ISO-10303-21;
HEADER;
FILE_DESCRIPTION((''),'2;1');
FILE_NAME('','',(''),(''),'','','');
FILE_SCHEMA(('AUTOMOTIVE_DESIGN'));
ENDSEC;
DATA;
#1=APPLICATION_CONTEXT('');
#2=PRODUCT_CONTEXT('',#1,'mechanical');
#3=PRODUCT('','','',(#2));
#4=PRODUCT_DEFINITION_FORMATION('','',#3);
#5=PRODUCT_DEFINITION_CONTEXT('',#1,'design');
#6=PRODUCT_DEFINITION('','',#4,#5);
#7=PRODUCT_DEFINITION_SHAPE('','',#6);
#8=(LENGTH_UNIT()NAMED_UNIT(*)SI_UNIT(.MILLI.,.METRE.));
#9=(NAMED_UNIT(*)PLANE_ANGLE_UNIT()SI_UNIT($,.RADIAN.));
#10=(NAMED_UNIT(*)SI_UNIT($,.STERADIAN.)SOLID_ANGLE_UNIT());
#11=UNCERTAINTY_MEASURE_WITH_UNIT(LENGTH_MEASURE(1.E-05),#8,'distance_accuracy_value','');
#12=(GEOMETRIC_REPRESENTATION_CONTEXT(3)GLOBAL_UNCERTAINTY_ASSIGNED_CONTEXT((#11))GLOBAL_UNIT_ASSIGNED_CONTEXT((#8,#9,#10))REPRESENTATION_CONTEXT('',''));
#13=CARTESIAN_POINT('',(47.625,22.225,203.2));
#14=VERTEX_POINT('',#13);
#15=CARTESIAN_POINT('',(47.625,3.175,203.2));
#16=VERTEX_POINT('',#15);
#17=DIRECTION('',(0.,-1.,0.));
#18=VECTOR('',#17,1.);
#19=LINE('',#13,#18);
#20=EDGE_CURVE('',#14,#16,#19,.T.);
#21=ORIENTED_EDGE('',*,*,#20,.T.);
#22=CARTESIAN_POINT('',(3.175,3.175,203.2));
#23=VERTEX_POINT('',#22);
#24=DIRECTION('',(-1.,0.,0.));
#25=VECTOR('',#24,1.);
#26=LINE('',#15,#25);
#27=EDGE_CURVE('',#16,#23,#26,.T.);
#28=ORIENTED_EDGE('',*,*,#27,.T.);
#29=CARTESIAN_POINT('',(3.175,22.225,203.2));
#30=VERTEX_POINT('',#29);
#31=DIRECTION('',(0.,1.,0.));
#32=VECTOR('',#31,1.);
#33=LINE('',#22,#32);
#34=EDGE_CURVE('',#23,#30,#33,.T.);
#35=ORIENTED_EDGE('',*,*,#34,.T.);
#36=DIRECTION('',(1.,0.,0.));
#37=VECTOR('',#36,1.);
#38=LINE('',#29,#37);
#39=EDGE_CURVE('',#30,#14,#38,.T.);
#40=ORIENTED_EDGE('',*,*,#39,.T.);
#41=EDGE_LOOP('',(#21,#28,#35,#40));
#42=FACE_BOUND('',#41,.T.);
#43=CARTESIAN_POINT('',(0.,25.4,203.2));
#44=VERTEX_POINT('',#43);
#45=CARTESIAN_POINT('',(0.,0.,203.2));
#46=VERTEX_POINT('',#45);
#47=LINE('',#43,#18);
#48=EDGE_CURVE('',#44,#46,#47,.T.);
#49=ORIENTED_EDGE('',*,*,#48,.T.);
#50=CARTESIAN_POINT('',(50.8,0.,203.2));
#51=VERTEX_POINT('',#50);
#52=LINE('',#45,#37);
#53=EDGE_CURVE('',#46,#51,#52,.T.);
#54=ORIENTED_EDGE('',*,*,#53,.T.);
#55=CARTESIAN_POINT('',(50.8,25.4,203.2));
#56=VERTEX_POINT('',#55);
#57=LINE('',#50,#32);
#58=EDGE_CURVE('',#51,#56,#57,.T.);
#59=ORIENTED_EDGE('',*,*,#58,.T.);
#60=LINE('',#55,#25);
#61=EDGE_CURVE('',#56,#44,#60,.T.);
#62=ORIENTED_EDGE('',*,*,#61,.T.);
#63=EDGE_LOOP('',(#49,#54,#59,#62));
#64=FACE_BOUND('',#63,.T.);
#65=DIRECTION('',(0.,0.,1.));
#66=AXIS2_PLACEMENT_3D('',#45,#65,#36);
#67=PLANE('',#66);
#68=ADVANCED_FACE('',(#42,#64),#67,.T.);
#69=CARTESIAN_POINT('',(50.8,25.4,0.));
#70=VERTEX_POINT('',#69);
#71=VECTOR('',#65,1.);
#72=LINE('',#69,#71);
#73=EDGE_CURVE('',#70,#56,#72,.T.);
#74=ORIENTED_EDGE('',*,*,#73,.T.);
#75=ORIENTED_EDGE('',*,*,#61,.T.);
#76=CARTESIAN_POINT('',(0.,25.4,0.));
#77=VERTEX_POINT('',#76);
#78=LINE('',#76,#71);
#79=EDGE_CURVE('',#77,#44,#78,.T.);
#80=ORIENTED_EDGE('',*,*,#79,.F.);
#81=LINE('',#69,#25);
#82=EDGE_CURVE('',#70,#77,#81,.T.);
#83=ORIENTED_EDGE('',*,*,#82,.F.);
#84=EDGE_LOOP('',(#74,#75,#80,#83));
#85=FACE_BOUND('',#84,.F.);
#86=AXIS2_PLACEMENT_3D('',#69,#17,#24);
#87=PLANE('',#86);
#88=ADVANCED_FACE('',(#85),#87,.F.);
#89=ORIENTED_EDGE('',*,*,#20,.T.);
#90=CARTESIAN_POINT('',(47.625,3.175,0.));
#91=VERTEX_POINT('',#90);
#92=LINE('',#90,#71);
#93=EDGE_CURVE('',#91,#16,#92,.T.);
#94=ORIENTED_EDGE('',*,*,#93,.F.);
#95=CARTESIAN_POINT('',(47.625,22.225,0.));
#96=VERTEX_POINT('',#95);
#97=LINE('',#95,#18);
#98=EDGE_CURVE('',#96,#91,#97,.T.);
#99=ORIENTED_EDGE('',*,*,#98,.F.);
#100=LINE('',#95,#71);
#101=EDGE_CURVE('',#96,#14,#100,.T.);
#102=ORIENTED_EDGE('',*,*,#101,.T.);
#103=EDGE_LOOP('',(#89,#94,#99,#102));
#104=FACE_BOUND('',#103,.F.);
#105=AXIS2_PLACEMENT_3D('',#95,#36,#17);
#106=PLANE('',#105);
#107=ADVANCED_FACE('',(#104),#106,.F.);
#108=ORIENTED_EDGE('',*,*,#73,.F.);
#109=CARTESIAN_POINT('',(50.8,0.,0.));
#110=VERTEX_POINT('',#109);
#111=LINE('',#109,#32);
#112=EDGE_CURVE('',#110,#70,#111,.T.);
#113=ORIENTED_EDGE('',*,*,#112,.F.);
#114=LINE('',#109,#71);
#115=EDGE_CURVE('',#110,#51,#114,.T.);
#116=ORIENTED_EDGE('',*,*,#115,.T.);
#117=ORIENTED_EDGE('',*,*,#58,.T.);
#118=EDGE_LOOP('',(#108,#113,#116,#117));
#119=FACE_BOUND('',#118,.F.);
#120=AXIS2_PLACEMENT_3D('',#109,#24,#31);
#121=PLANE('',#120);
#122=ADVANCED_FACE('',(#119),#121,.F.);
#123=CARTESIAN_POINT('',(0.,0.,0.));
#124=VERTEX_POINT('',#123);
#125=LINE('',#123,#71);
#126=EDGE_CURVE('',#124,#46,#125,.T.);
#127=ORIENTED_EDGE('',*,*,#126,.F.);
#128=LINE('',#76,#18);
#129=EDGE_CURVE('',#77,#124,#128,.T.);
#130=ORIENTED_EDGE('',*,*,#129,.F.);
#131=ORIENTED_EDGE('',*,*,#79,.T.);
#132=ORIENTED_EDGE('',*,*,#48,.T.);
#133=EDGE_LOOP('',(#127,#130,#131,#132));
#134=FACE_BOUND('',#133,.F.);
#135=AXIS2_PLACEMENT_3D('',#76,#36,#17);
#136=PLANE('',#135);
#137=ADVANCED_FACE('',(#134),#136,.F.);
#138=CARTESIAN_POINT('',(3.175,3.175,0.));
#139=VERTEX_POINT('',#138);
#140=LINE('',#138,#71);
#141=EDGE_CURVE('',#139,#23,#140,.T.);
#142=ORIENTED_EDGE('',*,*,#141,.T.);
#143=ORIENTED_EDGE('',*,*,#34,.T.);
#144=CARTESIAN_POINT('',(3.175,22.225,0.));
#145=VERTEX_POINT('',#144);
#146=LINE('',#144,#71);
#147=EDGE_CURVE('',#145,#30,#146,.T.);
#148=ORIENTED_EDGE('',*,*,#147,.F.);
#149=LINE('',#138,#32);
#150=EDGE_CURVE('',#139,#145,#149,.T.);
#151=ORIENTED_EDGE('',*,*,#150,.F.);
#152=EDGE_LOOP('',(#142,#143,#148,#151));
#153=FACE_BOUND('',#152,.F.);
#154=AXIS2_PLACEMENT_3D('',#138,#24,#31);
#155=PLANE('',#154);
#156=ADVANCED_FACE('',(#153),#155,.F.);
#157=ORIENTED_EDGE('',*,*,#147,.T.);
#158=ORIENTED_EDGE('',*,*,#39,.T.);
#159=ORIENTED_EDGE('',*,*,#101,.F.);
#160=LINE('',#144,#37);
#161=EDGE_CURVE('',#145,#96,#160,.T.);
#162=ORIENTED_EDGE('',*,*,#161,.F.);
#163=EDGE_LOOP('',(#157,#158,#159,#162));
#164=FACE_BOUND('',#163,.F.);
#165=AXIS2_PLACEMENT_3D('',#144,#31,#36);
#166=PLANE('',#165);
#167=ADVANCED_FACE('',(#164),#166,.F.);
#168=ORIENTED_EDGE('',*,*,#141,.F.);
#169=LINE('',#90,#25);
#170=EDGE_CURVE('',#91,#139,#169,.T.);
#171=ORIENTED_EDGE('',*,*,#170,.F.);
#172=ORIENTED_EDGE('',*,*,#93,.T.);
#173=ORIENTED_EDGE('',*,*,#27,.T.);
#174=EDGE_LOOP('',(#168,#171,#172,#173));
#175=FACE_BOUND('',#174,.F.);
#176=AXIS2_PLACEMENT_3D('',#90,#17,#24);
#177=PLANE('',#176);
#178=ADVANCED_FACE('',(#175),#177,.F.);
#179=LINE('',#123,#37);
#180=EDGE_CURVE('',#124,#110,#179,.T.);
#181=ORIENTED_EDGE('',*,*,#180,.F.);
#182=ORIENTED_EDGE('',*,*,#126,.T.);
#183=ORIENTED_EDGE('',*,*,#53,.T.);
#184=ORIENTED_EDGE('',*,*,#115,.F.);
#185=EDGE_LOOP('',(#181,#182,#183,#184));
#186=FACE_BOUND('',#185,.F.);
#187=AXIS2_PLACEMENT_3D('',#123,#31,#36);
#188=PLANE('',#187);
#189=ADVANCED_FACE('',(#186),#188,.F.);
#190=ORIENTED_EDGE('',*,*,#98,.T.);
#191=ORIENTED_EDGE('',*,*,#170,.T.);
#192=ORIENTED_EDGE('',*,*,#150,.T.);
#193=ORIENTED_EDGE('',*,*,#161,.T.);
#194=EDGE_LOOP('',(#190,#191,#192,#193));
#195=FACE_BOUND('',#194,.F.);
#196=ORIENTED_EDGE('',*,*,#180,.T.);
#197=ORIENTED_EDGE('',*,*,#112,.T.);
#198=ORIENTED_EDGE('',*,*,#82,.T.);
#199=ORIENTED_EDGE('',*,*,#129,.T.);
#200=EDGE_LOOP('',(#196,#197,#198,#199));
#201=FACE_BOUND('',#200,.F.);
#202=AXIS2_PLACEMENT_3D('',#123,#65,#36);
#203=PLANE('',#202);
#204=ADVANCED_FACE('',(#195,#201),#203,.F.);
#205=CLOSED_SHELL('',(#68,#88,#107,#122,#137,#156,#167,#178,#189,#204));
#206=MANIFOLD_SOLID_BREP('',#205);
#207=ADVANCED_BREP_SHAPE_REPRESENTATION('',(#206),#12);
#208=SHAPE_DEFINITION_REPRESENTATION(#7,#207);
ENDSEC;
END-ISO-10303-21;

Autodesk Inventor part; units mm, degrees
ref_plane "YZ Plane" through (0, 0, 0) normal (1, 0, 0) x (0, 1, 0)
ref_plane "XZ Plane" through (0, 0, 0) normal (0, 1, 0) x (-1, 0, 0)
ref_plane "XY Plane" through (0, 0, 0) normal (0, 0, 1) x (1, 0, 0)
sketch "Sketch1" plane through (0, 0, 0) normal (0, 0, 1) x (1, 0, 0)
  line L0 (0, 0) -> (50.8, 0)
  line L1 (50.8, 0) -> (50.8, 25.4)
  line L2 (50.8, 25.4) -> (0, 25.4)
  line L3 (0, 25.4) -> (0, 0)
  line L4 (3.175, 22.225) -> (47.625, 22.225)
  line L5 (47.625, 22.225) -> (47.625, 3.175)
  line L6 (47.625, 3.175) -> (3.175, 3.175)
  line L7 (3.175, 3.175) -> (3.175, 22.225)
  dimension "d0" = 50.8
  dimension "d1" = 25.4
  dimension "d2" = 3.175
extrude "Extrusion1" add sketch "Sketch1" along normal blind 203.2
properties part number "1x2x8"
